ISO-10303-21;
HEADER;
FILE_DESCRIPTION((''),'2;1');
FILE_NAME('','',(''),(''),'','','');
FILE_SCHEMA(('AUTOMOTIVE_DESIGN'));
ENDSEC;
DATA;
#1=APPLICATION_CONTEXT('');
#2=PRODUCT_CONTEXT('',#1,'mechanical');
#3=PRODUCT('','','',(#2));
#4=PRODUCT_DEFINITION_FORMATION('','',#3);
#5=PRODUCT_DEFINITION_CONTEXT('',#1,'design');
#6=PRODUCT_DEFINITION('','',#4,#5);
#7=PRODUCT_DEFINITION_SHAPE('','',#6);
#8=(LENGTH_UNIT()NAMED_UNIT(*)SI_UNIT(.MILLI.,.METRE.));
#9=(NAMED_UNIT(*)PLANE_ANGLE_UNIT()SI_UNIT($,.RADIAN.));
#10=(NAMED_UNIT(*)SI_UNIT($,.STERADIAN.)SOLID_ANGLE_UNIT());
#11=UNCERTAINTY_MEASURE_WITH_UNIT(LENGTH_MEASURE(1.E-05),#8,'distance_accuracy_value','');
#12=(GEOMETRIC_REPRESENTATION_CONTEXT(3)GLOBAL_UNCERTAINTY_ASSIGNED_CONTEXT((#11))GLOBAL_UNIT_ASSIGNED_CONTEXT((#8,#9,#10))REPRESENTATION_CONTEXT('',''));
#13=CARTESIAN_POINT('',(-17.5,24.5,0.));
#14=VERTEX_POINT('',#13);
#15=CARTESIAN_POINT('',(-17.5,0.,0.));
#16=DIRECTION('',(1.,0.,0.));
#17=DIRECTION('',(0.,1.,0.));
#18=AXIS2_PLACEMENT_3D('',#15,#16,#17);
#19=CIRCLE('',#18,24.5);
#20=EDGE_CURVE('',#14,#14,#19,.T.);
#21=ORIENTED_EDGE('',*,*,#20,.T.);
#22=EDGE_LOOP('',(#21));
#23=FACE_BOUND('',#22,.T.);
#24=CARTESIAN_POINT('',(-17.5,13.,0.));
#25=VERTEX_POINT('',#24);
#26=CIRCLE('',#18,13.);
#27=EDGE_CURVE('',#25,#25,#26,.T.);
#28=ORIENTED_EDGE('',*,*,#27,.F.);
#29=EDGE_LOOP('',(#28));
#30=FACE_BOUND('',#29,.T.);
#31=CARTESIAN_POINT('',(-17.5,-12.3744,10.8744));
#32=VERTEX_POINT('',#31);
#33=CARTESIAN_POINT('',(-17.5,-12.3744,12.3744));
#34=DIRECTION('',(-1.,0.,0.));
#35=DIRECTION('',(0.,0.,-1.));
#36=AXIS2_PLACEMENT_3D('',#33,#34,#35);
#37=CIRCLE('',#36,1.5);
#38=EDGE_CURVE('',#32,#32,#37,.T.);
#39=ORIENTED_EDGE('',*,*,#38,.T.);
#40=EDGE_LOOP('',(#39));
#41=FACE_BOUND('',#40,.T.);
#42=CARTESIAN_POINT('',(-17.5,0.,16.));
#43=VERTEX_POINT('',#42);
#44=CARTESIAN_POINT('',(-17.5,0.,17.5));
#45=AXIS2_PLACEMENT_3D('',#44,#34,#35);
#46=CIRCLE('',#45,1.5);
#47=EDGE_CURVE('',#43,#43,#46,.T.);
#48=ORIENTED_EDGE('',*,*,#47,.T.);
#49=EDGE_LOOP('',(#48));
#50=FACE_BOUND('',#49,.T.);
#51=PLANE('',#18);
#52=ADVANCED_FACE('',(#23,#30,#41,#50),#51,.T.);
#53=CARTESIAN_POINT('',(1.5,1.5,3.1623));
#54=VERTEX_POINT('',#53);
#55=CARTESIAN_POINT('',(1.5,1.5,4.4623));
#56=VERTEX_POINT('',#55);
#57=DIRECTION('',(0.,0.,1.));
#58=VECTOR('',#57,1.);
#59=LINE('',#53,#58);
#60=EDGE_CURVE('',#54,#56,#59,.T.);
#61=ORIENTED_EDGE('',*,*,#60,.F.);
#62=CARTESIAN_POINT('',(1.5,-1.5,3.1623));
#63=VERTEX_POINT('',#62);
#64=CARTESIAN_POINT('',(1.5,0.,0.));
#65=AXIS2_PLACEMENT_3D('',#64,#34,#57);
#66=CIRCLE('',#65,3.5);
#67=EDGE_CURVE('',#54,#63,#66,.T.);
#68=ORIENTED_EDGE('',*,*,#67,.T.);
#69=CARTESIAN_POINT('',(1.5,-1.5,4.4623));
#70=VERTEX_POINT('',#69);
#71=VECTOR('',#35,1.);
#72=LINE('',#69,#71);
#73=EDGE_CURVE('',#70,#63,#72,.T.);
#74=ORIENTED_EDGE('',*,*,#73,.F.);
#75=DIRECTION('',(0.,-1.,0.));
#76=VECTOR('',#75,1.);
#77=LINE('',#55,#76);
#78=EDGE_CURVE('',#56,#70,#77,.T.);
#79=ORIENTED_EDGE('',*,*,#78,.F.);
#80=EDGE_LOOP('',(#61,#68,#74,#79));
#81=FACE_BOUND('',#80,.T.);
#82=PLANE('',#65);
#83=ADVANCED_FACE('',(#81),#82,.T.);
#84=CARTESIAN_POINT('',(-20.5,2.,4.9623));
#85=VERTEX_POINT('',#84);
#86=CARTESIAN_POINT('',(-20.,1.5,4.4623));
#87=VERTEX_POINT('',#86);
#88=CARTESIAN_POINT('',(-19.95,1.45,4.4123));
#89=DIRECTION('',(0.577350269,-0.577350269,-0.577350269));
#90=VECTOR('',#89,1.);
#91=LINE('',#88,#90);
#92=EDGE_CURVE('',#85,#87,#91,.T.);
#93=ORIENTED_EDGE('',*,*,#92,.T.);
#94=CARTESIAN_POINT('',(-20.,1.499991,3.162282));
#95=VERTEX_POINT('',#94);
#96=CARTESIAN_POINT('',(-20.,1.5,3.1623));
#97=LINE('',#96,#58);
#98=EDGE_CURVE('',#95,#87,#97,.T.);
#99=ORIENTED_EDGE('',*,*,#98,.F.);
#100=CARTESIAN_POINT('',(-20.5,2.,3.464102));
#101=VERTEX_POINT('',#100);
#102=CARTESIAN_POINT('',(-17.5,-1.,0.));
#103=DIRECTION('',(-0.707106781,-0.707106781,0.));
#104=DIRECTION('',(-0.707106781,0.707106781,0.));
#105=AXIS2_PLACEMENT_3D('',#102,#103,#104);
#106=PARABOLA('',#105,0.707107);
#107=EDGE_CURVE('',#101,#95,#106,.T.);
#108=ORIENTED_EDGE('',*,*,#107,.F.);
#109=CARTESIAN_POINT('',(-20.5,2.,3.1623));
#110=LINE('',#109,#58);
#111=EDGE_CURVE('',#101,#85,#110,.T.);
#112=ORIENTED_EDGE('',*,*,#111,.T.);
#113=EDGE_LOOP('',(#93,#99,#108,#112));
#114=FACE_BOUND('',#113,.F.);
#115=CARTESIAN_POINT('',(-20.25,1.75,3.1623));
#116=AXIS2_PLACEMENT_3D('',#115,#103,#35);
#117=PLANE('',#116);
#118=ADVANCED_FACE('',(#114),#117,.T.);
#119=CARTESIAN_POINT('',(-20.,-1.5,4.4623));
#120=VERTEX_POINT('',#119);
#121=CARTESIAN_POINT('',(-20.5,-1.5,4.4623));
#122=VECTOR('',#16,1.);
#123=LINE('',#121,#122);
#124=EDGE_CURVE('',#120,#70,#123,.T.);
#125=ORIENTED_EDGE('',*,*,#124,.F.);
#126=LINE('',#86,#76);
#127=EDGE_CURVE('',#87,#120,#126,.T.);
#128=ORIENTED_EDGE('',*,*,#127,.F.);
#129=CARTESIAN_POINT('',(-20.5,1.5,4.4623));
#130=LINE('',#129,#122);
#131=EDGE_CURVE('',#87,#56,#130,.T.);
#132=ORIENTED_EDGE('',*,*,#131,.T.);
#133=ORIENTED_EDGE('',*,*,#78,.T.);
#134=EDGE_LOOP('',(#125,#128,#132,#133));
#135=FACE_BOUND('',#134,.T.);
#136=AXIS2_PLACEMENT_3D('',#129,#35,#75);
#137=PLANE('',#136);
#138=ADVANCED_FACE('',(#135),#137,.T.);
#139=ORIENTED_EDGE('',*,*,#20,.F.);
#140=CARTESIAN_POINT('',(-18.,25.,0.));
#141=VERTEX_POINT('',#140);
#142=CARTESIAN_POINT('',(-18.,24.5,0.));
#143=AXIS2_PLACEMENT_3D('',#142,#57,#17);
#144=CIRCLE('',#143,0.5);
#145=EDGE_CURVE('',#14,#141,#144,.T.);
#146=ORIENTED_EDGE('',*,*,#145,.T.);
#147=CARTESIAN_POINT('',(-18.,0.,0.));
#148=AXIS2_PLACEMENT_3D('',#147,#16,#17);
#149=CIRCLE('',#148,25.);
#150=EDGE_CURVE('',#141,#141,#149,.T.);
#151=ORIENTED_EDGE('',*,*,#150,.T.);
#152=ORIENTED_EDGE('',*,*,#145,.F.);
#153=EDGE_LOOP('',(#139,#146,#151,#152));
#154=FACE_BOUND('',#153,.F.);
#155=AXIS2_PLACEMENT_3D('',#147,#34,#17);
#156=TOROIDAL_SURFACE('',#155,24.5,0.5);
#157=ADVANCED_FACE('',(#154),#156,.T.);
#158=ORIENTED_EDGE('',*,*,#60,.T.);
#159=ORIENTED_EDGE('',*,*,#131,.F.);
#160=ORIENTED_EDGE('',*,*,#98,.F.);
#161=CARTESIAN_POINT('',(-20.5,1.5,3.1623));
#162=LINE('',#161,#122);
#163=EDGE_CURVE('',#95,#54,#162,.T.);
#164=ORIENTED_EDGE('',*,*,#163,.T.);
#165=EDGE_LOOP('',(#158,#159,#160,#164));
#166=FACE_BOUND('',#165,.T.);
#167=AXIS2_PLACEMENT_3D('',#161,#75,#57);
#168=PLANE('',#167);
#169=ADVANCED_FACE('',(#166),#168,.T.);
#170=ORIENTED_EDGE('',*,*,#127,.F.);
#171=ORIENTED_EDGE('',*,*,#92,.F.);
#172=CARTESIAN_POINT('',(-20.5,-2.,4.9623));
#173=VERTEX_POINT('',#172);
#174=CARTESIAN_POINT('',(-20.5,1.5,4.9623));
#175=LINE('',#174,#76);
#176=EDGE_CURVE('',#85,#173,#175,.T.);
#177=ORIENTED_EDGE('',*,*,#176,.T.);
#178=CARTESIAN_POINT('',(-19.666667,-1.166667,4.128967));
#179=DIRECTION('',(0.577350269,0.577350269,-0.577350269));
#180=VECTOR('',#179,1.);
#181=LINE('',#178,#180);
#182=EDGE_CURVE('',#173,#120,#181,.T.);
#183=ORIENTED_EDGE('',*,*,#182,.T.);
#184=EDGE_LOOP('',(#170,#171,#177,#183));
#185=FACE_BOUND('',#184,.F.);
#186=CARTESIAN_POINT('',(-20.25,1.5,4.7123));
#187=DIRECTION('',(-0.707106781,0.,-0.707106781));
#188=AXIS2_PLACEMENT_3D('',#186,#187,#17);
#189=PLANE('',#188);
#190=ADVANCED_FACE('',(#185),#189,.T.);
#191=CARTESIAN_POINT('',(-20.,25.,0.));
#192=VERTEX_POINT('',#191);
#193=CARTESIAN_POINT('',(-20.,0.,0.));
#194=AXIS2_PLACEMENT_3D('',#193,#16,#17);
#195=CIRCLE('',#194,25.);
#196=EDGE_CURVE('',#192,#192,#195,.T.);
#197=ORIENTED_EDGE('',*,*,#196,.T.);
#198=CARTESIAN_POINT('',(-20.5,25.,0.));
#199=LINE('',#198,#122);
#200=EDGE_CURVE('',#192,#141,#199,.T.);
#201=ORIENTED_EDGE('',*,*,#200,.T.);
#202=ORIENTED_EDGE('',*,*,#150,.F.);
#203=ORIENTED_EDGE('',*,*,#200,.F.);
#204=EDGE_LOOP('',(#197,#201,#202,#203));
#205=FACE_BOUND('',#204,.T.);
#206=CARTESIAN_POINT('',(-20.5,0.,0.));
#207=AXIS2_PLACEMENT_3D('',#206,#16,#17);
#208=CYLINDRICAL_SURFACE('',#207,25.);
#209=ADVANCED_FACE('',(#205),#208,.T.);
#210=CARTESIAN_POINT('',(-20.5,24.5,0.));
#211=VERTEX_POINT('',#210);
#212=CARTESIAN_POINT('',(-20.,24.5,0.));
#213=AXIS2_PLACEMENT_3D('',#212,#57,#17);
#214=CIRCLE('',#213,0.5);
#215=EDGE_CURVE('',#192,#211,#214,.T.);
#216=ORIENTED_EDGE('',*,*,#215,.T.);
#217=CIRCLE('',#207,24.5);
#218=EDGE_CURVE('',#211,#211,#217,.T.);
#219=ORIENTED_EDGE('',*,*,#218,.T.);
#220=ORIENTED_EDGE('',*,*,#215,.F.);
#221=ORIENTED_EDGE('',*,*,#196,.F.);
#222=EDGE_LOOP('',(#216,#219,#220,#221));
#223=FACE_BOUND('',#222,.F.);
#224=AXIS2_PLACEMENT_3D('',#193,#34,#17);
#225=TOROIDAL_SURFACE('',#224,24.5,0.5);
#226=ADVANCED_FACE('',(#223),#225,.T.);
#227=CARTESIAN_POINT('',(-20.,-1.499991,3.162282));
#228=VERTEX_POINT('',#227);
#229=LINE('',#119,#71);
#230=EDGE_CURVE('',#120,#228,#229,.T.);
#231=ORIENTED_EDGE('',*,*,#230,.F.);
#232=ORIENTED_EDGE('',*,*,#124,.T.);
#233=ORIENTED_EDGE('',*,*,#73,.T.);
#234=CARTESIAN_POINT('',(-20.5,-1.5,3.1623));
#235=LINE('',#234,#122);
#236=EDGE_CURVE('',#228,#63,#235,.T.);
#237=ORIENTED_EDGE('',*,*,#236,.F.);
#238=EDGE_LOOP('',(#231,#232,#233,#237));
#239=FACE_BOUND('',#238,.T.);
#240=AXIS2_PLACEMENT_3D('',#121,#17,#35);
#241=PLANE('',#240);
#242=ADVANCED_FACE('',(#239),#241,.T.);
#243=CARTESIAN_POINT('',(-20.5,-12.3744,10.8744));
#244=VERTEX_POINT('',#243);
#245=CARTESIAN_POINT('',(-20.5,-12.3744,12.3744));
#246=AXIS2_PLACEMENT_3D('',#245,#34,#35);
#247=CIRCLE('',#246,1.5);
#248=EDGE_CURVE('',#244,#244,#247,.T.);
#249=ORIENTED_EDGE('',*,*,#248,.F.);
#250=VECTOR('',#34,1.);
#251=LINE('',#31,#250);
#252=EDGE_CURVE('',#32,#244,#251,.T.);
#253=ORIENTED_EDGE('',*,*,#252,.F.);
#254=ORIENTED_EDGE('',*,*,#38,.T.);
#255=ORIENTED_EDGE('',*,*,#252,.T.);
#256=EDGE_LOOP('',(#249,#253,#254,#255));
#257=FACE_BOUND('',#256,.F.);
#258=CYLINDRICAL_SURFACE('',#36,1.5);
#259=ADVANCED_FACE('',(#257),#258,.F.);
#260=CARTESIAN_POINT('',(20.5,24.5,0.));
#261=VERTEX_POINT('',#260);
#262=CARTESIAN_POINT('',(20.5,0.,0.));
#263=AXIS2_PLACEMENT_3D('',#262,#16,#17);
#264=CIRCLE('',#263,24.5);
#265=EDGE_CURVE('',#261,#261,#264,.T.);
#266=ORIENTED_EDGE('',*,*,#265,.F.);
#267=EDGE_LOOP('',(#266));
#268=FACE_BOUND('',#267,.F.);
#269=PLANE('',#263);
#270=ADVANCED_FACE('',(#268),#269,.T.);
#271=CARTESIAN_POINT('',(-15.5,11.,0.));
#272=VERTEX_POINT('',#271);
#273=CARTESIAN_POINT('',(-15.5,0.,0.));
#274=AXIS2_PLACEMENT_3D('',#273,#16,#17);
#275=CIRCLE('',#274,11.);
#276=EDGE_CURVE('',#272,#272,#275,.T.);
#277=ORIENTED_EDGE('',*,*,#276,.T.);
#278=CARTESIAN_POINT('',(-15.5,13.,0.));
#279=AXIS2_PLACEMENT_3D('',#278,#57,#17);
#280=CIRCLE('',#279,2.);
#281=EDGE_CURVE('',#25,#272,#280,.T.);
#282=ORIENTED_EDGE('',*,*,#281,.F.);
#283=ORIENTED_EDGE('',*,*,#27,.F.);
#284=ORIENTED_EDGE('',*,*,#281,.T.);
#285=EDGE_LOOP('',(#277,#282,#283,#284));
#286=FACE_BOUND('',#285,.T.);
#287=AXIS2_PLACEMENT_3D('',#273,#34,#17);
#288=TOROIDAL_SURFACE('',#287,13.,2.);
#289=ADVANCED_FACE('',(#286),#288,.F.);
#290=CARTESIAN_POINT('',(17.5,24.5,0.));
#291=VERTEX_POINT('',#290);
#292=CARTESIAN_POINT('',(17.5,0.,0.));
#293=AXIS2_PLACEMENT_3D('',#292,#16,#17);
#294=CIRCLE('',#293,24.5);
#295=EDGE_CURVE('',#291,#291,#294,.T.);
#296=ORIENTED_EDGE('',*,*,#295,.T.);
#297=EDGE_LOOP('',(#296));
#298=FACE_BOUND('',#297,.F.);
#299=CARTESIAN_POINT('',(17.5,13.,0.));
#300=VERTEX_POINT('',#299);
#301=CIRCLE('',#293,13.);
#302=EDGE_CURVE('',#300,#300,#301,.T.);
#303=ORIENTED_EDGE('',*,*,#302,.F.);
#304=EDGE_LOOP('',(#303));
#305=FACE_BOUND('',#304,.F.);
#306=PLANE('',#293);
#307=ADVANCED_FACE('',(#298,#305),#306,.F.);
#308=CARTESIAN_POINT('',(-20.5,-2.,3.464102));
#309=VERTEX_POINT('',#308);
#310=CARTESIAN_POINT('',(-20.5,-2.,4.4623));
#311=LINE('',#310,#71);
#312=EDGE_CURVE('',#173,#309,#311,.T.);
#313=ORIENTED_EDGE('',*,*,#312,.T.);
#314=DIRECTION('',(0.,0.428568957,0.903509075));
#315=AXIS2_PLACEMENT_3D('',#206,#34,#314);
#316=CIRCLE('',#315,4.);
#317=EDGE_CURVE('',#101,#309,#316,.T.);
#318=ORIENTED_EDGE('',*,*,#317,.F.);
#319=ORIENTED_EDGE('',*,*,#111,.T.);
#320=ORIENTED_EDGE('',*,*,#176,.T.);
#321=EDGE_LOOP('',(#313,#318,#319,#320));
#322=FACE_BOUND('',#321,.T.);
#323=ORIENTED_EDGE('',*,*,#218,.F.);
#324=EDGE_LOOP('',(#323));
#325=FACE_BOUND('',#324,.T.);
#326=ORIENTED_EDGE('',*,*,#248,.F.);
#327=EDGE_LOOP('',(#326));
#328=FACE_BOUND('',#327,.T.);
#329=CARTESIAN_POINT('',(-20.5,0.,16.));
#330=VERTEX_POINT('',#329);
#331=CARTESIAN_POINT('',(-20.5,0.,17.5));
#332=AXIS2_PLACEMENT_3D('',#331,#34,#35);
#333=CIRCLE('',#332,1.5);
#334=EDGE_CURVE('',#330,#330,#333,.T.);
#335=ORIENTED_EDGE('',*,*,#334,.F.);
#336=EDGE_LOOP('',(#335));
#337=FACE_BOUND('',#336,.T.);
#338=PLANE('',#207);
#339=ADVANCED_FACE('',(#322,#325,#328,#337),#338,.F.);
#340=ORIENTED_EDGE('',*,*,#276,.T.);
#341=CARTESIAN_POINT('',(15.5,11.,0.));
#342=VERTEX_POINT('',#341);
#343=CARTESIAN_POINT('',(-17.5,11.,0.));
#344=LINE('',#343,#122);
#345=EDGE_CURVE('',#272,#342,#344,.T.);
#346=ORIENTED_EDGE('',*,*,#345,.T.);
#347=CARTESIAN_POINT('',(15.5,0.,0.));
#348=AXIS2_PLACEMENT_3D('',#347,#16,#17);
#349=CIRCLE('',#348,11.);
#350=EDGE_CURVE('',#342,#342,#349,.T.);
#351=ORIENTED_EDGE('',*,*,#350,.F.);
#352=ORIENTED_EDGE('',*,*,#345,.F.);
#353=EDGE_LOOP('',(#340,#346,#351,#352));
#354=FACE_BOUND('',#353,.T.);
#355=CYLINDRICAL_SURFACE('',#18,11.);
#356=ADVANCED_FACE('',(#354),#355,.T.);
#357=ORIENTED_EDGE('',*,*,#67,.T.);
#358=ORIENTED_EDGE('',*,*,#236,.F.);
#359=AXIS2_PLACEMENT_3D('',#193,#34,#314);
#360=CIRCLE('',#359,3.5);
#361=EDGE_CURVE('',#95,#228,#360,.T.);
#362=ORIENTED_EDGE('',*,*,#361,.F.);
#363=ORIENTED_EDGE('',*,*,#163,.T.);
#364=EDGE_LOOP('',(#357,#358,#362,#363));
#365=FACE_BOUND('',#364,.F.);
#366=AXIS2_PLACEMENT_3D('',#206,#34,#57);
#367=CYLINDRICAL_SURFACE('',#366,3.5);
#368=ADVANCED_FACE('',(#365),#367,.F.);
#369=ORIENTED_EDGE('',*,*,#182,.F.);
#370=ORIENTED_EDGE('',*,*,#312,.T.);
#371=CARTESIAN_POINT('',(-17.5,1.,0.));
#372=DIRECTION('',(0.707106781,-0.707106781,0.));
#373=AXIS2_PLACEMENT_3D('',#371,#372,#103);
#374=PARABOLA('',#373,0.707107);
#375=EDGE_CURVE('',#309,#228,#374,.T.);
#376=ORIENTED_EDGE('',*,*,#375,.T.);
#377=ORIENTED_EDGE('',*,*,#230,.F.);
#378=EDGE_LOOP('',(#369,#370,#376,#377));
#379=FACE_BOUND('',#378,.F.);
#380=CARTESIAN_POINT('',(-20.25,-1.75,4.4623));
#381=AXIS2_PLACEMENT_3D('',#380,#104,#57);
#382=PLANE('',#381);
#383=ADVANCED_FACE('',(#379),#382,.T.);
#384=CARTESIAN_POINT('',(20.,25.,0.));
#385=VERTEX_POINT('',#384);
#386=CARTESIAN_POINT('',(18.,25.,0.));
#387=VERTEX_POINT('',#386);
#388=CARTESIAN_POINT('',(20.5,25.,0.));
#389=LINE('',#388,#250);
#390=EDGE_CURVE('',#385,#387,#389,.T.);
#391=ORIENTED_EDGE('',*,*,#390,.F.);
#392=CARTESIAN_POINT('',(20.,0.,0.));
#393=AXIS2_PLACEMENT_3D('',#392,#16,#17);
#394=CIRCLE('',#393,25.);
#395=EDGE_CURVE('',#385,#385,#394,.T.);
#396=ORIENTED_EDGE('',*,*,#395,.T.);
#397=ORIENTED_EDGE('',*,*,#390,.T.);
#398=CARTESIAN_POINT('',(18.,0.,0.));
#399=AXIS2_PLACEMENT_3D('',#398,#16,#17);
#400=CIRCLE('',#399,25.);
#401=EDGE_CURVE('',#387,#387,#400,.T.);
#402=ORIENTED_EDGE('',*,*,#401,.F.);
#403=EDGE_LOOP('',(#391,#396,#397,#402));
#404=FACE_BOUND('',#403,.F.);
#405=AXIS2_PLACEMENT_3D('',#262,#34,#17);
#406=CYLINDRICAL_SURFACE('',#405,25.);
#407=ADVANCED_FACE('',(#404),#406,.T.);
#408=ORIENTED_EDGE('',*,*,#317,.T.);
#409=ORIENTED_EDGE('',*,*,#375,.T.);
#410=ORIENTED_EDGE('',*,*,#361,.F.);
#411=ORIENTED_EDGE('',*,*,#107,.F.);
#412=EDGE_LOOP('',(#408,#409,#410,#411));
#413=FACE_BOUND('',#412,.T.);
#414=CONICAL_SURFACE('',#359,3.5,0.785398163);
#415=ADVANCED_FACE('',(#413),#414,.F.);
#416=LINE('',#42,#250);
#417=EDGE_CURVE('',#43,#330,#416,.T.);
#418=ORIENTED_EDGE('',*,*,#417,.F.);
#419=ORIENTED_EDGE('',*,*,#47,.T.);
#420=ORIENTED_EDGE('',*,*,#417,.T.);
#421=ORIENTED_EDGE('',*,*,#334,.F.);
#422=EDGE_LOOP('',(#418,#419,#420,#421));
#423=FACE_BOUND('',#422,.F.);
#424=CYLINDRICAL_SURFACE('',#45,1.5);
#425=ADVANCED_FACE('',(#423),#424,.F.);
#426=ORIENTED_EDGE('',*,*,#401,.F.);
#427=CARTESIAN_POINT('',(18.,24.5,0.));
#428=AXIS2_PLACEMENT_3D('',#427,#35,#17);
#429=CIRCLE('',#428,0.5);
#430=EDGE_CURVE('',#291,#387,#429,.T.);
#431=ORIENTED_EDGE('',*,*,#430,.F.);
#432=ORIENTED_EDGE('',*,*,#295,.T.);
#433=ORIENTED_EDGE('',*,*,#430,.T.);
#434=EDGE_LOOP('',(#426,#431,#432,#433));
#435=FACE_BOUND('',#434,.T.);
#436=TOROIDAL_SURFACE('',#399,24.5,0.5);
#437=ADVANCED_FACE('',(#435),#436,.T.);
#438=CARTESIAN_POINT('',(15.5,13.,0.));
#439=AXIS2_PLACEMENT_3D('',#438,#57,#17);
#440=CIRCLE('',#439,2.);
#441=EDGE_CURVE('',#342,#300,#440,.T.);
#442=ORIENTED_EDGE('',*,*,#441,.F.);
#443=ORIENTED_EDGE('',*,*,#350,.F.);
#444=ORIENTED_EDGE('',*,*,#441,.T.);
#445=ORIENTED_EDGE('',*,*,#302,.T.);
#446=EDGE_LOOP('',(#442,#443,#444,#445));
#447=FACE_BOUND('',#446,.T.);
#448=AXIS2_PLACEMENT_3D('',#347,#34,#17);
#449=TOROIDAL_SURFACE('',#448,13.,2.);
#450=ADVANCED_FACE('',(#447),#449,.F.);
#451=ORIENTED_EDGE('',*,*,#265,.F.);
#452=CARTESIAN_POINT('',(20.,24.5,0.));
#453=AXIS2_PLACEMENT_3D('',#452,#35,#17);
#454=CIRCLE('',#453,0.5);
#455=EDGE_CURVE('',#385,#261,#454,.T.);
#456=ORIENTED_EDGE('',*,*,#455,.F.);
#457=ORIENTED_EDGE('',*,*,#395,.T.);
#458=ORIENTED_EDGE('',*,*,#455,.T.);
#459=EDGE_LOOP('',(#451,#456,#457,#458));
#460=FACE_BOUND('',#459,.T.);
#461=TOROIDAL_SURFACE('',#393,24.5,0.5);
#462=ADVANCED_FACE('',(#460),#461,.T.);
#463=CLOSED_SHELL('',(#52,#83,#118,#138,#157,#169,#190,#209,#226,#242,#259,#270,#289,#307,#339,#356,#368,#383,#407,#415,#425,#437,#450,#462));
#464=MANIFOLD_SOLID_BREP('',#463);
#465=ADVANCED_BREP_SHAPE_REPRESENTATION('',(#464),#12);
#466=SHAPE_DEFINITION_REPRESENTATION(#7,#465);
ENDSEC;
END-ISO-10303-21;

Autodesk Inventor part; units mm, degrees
ref_plane "YZ Plane" through (0, 0, 0) normal (1, 0, 0) x (0, 1, 0)
ref_plane "XZ Plane" through (0, 0, 0) normal (0, 1, 0) x (-1, 0, 0)
ref_plane "XY Plane" through (0, 0, 0) normal (0, 0, 1) x (1, 0, 0)
sketch "Sketch1" plane through (0, 0, 0) normal (0, 0, 1) x (1, 0, 0)
  line L0 (-20.5, 25) -> (-17.5, 25)
  line L1 (-17.5, 25) -> (-17.5, 11)
  line L2 (-17.5, 11) -> (0, 11)
  line L3 (0, 11) -> (0, 0)
  line L4 (0, 0) -> (-20.5, 0)
  line L5 (-20.5, 0) -> (-20.5, 25)
  line L6 (0, 17.0507) -> (0, -8.2074)
  line L7 (20.5, 25) -> (17.5, 25)
  line L8 (17.5, 25) -> (17.5, 11)
  line L9 (17.5, 11) -> (0, 11)
  line L10 (0, 0) -> (20.5, 0)
  line L11 (20.5, 0) -> (20.5, 25)
  dimension "d0" = 3
  dimension "d1" = 11
  dimension "d2" = 25
  dimension "d3" = 17.5
revolve "Revolution1" add sketch "Sketch1" angle 360 about axis through (0, 0, 0) along (1, 0, 0)
sketch "Sketch2" plane through (-17.5, 0, 0) normal (1, 0, 0) x (0, 0, -1)
  circle A0 centre (0, 0) radius 11 projected
  line L0 (0, 0) -> (-17.5, 0)
  line L1 (0, 0) -> (-12.3744, -12.3744)
  dimension "d23" = 17.5
  dimension "d24" = 17.5
  dimension "d25" = 45
hole "Hole1" at (-17.5, 0, 17.5) at (-17.5, -12.3744, 12.3744) direction (-1, 0, 0) diameter 3 depth 3
sketch "Sketch3" plane through (-20.5, 0, 0) normal (-1, 0, 0) x (0, 0, 1)
  circle A0 centre (0, 0) radius 3.5
  line L0 (3.1623, 1.5) -> (4.4623, 1.5)
  line L1 (4.4623, 1.5) -> (4.4623, -1.5)
  line L2 (4.4623, -1.5) -> (3.1623, -1.5)
  line L3 (3.1623, -1.5) -> (3.1623, 1.5)
  point P0 (0, 0)
  dimension "d12" = 7
  dimension "d13" = 3
  dimension "d14" = 1.3
extrude "Extrusion1" cut sketch "Sketch3" against normal blind 22
chamfer "Chamfer1" distance 0.5 angle 45 4 edges at (-20.5, 0, -3.5) (-20.5, 1.5, 3.8123) (-20.5, 0, 4.4623) (-20.5, -1.5, 3.8123)
fillet "Fillet1" radius 2 2 edges at (-17.5, -11, 0) (17.5, -11, 0)
fillet "Fillet2" radius 0.5 4 edges at (-20.5, -25, 0) (-17.5, -25, 0) (17.5, -25, 0) (20.5, -25, 0)
equation "\"d0\" = tedge"
equation "\"d1\" = r1"
equation "\"d2\" = r2"
equation "\"d3\" = 0.5 * win"
equation "\"tedge\" = 3"
equation "\"r1\" = 11"
equation "\"r2\" = 25"
equation "\"win\" = 35"
properties part number "secureingReel" material "Aluminum 6061"
